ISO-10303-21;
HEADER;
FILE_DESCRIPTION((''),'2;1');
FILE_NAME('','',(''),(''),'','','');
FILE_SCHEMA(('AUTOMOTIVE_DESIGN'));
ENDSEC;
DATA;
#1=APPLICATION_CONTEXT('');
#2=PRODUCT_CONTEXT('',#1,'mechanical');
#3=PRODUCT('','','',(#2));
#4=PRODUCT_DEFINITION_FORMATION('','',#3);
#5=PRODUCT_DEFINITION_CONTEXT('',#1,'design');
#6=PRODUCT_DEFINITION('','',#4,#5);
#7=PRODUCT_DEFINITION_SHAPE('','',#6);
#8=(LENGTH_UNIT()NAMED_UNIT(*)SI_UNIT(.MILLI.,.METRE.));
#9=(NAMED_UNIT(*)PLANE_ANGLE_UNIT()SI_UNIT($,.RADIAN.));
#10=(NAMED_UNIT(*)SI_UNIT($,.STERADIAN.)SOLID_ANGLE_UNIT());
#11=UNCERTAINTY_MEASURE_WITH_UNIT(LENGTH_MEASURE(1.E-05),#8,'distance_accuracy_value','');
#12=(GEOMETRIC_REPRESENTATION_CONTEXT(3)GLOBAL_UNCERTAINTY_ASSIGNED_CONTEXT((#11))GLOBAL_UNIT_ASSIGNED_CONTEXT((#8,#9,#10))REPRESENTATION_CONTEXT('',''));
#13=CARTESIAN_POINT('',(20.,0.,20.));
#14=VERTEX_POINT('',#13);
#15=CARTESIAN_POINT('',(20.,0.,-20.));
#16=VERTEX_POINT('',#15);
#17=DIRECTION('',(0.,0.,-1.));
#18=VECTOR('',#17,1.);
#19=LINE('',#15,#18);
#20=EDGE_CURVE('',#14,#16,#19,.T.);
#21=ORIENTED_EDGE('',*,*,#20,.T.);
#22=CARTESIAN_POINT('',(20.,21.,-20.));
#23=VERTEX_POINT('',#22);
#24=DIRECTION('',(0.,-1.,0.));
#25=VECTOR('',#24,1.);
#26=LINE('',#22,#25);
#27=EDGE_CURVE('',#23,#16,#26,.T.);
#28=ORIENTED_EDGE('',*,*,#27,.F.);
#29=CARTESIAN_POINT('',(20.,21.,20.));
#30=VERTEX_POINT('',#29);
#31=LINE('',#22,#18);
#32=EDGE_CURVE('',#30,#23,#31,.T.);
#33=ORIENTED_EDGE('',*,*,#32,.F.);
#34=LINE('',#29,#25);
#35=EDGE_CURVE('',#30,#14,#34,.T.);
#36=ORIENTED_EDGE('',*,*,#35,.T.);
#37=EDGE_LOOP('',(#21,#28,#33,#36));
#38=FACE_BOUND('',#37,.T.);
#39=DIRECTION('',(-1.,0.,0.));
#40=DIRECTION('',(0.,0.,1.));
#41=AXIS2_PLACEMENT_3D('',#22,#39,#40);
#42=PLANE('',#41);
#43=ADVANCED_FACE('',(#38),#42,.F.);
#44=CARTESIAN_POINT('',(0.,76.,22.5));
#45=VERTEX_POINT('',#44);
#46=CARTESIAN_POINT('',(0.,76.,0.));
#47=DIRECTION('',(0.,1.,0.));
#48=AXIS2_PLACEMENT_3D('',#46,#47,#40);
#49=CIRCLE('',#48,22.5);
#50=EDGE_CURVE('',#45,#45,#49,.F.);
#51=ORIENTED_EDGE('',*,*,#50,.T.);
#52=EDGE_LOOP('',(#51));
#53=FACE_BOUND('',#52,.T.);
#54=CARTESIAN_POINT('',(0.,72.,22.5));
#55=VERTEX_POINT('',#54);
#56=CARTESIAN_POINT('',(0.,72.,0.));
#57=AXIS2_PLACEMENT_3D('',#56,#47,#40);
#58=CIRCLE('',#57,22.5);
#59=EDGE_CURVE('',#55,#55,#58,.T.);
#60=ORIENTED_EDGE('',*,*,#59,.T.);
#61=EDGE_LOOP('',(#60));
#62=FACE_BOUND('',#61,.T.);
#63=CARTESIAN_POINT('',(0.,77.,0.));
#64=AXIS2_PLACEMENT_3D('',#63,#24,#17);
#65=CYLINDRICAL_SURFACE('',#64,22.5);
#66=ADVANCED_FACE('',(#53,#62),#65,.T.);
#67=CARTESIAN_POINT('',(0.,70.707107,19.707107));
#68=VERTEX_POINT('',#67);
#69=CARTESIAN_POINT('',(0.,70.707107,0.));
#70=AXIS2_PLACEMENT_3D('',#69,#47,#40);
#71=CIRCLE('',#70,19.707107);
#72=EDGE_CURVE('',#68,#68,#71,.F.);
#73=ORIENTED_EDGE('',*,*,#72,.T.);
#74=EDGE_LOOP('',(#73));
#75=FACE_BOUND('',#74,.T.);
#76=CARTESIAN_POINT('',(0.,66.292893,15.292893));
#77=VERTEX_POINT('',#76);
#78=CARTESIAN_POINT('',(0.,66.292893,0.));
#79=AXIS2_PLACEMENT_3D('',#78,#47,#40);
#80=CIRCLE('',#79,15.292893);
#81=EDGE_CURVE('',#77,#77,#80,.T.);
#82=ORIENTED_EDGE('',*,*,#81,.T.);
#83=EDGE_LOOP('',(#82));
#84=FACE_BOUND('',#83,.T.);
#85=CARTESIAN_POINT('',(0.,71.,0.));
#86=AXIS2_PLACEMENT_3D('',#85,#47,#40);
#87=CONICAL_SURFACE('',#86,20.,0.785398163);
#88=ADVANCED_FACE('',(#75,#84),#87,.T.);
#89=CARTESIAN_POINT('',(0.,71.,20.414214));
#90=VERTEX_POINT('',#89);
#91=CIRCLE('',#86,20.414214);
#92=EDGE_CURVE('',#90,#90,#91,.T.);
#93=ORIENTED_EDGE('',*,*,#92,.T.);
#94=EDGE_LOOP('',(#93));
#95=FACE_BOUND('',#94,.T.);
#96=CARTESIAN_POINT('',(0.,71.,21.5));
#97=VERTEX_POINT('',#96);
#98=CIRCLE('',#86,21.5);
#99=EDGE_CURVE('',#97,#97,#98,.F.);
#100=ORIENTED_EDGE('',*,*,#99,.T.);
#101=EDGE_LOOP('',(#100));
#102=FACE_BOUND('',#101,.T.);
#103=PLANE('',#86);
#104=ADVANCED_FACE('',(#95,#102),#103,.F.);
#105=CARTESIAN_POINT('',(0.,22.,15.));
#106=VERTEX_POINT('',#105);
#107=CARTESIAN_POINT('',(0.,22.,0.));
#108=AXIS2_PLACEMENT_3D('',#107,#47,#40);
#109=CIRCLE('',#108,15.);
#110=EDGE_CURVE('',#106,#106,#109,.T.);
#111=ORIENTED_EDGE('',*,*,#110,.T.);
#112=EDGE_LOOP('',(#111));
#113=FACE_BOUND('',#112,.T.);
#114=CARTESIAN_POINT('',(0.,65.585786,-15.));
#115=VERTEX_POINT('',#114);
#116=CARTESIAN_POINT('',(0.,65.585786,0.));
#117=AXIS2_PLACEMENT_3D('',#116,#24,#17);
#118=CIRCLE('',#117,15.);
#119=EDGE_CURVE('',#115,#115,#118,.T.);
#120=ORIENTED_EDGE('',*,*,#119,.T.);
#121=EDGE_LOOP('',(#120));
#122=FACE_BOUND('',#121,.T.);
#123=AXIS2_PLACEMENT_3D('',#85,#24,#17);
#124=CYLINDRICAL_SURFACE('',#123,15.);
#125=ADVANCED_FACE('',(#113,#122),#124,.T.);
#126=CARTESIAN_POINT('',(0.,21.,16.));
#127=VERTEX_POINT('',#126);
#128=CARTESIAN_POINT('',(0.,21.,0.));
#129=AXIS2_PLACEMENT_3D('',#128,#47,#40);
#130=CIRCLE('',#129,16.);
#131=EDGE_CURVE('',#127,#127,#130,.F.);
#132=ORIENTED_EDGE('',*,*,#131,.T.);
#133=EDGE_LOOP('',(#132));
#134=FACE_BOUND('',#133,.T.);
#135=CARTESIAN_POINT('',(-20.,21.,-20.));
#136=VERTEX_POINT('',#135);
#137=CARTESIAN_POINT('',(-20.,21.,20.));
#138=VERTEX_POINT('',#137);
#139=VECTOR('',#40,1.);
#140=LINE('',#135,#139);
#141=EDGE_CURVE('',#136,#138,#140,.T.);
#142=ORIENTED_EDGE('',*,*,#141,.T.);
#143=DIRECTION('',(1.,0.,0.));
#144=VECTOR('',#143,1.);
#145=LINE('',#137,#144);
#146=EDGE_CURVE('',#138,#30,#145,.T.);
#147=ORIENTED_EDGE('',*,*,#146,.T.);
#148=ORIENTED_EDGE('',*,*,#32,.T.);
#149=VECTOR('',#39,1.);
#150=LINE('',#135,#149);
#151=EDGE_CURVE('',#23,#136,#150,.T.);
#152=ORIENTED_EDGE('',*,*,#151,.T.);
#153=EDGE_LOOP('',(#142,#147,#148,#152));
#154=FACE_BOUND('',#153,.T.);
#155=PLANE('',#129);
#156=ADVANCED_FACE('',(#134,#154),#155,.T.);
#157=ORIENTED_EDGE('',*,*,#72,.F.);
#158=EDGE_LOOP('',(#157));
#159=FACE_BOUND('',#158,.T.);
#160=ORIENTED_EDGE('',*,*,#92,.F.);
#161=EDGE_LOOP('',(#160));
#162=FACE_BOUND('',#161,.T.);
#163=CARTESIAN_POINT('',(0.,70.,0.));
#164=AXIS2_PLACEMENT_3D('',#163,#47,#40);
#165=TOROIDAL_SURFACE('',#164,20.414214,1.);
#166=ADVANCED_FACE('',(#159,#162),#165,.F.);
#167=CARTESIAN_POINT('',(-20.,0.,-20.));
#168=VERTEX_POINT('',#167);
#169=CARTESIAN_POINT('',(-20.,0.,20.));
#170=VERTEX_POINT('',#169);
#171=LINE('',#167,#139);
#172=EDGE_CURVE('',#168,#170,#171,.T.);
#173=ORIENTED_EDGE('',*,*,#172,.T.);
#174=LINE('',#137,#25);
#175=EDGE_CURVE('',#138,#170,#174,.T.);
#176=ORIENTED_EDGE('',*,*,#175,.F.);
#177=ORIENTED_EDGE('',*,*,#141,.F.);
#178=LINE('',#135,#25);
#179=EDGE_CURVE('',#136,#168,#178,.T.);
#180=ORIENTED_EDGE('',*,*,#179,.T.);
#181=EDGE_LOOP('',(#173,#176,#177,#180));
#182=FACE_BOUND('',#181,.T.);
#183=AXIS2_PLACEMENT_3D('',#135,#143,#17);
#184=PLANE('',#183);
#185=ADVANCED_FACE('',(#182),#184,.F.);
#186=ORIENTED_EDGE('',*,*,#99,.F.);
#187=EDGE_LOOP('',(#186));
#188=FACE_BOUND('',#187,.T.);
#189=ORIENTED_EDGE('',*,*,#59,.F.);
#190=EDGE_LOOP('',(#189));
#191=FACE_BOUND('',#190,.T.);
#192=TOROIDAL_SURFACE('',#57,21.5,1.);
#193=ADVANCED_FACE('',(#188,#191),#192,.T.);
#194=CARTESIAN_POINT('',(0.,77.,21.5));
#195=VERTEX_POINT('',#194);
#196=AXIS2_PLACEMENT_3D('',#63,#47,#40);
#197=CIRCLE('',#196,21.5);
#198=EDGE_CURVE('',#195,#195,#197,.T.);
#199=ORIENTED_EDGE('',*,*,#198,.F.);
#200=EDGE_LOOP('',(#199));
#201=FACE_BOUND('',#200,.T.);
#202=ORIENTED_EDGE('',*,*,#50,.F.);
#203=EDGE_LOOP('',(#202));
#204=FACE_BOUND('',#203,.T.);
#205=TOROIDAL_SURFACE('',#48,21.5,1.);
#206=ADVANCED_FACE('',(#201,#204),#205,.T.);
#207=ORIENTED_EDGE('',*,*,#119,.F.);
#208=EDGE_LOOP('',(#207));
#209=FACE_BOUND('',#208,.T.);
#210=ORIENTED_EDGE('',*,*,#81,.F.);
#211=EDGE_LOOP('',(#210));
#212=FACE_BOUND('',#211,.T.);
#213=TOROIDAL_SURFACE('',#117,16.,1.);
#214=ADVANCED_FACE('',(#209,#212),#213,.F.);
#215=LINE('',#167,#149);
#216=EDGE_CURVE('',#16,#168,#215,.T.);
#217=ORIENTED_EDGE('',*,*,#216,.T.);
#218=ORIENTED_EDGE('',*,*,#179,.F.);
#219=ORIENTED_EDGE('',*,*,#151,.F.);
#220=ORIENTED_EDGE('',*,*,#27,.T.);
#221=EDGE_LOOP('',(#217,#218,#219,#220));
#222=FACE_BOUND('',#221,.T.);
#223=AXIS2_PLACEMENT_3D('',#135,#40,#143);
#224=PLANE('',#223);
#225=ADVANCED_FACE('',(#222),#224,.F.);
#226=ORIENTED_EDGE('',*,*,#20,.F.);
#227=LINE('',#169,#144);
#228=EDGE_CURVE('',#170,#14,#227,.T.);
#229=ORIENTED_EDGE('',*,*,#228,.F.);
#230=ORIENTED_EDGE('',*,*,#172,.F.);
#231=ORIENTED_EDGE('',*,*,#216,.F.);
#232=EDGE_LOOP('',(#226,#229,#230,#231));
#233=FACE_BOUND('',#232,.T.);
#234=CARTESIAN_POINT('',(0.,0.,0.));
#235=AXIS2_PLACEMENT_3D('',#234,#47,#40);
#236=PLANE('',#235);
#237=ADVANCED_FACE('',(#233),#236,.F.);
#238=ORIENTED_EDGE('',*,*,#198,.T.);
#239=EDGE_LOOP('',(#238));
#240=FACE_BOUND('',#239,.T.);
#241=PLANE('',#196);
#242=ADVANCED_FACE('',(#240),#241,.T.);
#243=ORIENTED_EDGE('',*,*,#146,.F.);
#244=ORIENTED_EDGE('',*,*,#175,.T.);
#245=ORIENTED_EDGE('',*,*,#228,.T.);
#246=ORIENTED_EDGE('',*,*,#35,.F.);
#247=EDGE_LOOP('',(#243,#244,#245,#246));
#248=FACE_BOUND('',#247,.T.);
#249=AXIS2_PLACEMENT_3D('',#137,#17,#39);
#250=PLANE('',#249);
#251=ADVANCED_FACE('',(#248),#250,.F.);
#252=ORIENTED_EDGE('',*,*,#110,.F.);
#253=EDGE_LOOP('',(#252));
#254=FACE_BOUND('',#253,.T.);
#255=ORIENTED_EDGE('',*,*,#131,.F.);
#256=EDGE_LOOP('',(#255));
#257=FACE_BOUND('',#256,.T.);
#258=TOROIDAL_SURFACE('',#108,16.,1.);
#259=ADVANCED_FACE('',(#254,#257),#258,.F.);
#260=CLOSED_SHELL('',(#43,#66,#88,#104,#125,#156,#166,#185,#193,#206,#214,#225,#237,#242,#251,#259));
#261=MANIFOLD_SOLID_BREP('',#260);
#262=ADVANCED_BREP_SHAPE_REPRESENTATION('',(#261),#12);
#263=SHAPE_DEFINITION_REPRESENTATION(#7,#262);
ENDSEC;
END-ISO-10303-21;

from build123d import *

# Parameters (mm, degrees)
SKETCH_2_W      = 40
SKETCH_2_H      = 40
EXTRUDE_1_DEPTH = 21
SKETCH_3_R      = 15
EXTRUDE_2_DEPTH = 50
SKETCH_4_R      = 22.5
EXTRUDE_3_DEPTH = 6
CHAMFER_1_SIZE  = 5
FILLET_1_R      = 1


with BuildPart() as part:
    # 草图2 → 凸台-拉伸1 (new body)
    with BuildSketch(Plane(origin=(0, 0, 0), x_dir=(1, 0, 0), z_dir=(0, 1, 0))):
        Rectangle(SKETCH_2_W, SKETCH_2_H)
    extrude(amount=EXTRUDE_1_DEPTH)

    # 草图3 → 凸台-拉伸2 (add)
    with BuildSketch(Plane(origin=(0, 21, 0), x_dir=(1, 0, 0), z_dir=(0, 1, 0))):
        Circle(SKETCH_3_R)
    extrude(amount=EXTRUDE_2_DEPTH)

    # 草图4 → 凸台-拉伸3 (add)
    with BuildSketch(Plane(origin=(0, 71, 0), x_dir=(1, 0, 0), z_dir=(0, 1, 0))):
        Circle(SKETCH_4_R)
    extrude(amount=EXTRUDE_3_DEPTH)

    # 倒角1
    chamfer_1_edges = [part.edges().sort_by_distance(p)[0] for p in [
        (-15, 71, 0),
    ]]
    chamfer(chamfer_1_edges, length=CHAMFER_1_SIZE)

    # 圆角1
    fillet_1_edges = [part.edges().sort_by_distance(p)[0] for p in [
        (-15, 21, 0),
        (-22.5, 71, 0),
        (-22.5, 77, 0),
        (-20, 71, 0),
        (-15, 66, 0),
    ]]
    fillet(fillet_1_edges, radius=FILLET_1_R)


solid = part.part
